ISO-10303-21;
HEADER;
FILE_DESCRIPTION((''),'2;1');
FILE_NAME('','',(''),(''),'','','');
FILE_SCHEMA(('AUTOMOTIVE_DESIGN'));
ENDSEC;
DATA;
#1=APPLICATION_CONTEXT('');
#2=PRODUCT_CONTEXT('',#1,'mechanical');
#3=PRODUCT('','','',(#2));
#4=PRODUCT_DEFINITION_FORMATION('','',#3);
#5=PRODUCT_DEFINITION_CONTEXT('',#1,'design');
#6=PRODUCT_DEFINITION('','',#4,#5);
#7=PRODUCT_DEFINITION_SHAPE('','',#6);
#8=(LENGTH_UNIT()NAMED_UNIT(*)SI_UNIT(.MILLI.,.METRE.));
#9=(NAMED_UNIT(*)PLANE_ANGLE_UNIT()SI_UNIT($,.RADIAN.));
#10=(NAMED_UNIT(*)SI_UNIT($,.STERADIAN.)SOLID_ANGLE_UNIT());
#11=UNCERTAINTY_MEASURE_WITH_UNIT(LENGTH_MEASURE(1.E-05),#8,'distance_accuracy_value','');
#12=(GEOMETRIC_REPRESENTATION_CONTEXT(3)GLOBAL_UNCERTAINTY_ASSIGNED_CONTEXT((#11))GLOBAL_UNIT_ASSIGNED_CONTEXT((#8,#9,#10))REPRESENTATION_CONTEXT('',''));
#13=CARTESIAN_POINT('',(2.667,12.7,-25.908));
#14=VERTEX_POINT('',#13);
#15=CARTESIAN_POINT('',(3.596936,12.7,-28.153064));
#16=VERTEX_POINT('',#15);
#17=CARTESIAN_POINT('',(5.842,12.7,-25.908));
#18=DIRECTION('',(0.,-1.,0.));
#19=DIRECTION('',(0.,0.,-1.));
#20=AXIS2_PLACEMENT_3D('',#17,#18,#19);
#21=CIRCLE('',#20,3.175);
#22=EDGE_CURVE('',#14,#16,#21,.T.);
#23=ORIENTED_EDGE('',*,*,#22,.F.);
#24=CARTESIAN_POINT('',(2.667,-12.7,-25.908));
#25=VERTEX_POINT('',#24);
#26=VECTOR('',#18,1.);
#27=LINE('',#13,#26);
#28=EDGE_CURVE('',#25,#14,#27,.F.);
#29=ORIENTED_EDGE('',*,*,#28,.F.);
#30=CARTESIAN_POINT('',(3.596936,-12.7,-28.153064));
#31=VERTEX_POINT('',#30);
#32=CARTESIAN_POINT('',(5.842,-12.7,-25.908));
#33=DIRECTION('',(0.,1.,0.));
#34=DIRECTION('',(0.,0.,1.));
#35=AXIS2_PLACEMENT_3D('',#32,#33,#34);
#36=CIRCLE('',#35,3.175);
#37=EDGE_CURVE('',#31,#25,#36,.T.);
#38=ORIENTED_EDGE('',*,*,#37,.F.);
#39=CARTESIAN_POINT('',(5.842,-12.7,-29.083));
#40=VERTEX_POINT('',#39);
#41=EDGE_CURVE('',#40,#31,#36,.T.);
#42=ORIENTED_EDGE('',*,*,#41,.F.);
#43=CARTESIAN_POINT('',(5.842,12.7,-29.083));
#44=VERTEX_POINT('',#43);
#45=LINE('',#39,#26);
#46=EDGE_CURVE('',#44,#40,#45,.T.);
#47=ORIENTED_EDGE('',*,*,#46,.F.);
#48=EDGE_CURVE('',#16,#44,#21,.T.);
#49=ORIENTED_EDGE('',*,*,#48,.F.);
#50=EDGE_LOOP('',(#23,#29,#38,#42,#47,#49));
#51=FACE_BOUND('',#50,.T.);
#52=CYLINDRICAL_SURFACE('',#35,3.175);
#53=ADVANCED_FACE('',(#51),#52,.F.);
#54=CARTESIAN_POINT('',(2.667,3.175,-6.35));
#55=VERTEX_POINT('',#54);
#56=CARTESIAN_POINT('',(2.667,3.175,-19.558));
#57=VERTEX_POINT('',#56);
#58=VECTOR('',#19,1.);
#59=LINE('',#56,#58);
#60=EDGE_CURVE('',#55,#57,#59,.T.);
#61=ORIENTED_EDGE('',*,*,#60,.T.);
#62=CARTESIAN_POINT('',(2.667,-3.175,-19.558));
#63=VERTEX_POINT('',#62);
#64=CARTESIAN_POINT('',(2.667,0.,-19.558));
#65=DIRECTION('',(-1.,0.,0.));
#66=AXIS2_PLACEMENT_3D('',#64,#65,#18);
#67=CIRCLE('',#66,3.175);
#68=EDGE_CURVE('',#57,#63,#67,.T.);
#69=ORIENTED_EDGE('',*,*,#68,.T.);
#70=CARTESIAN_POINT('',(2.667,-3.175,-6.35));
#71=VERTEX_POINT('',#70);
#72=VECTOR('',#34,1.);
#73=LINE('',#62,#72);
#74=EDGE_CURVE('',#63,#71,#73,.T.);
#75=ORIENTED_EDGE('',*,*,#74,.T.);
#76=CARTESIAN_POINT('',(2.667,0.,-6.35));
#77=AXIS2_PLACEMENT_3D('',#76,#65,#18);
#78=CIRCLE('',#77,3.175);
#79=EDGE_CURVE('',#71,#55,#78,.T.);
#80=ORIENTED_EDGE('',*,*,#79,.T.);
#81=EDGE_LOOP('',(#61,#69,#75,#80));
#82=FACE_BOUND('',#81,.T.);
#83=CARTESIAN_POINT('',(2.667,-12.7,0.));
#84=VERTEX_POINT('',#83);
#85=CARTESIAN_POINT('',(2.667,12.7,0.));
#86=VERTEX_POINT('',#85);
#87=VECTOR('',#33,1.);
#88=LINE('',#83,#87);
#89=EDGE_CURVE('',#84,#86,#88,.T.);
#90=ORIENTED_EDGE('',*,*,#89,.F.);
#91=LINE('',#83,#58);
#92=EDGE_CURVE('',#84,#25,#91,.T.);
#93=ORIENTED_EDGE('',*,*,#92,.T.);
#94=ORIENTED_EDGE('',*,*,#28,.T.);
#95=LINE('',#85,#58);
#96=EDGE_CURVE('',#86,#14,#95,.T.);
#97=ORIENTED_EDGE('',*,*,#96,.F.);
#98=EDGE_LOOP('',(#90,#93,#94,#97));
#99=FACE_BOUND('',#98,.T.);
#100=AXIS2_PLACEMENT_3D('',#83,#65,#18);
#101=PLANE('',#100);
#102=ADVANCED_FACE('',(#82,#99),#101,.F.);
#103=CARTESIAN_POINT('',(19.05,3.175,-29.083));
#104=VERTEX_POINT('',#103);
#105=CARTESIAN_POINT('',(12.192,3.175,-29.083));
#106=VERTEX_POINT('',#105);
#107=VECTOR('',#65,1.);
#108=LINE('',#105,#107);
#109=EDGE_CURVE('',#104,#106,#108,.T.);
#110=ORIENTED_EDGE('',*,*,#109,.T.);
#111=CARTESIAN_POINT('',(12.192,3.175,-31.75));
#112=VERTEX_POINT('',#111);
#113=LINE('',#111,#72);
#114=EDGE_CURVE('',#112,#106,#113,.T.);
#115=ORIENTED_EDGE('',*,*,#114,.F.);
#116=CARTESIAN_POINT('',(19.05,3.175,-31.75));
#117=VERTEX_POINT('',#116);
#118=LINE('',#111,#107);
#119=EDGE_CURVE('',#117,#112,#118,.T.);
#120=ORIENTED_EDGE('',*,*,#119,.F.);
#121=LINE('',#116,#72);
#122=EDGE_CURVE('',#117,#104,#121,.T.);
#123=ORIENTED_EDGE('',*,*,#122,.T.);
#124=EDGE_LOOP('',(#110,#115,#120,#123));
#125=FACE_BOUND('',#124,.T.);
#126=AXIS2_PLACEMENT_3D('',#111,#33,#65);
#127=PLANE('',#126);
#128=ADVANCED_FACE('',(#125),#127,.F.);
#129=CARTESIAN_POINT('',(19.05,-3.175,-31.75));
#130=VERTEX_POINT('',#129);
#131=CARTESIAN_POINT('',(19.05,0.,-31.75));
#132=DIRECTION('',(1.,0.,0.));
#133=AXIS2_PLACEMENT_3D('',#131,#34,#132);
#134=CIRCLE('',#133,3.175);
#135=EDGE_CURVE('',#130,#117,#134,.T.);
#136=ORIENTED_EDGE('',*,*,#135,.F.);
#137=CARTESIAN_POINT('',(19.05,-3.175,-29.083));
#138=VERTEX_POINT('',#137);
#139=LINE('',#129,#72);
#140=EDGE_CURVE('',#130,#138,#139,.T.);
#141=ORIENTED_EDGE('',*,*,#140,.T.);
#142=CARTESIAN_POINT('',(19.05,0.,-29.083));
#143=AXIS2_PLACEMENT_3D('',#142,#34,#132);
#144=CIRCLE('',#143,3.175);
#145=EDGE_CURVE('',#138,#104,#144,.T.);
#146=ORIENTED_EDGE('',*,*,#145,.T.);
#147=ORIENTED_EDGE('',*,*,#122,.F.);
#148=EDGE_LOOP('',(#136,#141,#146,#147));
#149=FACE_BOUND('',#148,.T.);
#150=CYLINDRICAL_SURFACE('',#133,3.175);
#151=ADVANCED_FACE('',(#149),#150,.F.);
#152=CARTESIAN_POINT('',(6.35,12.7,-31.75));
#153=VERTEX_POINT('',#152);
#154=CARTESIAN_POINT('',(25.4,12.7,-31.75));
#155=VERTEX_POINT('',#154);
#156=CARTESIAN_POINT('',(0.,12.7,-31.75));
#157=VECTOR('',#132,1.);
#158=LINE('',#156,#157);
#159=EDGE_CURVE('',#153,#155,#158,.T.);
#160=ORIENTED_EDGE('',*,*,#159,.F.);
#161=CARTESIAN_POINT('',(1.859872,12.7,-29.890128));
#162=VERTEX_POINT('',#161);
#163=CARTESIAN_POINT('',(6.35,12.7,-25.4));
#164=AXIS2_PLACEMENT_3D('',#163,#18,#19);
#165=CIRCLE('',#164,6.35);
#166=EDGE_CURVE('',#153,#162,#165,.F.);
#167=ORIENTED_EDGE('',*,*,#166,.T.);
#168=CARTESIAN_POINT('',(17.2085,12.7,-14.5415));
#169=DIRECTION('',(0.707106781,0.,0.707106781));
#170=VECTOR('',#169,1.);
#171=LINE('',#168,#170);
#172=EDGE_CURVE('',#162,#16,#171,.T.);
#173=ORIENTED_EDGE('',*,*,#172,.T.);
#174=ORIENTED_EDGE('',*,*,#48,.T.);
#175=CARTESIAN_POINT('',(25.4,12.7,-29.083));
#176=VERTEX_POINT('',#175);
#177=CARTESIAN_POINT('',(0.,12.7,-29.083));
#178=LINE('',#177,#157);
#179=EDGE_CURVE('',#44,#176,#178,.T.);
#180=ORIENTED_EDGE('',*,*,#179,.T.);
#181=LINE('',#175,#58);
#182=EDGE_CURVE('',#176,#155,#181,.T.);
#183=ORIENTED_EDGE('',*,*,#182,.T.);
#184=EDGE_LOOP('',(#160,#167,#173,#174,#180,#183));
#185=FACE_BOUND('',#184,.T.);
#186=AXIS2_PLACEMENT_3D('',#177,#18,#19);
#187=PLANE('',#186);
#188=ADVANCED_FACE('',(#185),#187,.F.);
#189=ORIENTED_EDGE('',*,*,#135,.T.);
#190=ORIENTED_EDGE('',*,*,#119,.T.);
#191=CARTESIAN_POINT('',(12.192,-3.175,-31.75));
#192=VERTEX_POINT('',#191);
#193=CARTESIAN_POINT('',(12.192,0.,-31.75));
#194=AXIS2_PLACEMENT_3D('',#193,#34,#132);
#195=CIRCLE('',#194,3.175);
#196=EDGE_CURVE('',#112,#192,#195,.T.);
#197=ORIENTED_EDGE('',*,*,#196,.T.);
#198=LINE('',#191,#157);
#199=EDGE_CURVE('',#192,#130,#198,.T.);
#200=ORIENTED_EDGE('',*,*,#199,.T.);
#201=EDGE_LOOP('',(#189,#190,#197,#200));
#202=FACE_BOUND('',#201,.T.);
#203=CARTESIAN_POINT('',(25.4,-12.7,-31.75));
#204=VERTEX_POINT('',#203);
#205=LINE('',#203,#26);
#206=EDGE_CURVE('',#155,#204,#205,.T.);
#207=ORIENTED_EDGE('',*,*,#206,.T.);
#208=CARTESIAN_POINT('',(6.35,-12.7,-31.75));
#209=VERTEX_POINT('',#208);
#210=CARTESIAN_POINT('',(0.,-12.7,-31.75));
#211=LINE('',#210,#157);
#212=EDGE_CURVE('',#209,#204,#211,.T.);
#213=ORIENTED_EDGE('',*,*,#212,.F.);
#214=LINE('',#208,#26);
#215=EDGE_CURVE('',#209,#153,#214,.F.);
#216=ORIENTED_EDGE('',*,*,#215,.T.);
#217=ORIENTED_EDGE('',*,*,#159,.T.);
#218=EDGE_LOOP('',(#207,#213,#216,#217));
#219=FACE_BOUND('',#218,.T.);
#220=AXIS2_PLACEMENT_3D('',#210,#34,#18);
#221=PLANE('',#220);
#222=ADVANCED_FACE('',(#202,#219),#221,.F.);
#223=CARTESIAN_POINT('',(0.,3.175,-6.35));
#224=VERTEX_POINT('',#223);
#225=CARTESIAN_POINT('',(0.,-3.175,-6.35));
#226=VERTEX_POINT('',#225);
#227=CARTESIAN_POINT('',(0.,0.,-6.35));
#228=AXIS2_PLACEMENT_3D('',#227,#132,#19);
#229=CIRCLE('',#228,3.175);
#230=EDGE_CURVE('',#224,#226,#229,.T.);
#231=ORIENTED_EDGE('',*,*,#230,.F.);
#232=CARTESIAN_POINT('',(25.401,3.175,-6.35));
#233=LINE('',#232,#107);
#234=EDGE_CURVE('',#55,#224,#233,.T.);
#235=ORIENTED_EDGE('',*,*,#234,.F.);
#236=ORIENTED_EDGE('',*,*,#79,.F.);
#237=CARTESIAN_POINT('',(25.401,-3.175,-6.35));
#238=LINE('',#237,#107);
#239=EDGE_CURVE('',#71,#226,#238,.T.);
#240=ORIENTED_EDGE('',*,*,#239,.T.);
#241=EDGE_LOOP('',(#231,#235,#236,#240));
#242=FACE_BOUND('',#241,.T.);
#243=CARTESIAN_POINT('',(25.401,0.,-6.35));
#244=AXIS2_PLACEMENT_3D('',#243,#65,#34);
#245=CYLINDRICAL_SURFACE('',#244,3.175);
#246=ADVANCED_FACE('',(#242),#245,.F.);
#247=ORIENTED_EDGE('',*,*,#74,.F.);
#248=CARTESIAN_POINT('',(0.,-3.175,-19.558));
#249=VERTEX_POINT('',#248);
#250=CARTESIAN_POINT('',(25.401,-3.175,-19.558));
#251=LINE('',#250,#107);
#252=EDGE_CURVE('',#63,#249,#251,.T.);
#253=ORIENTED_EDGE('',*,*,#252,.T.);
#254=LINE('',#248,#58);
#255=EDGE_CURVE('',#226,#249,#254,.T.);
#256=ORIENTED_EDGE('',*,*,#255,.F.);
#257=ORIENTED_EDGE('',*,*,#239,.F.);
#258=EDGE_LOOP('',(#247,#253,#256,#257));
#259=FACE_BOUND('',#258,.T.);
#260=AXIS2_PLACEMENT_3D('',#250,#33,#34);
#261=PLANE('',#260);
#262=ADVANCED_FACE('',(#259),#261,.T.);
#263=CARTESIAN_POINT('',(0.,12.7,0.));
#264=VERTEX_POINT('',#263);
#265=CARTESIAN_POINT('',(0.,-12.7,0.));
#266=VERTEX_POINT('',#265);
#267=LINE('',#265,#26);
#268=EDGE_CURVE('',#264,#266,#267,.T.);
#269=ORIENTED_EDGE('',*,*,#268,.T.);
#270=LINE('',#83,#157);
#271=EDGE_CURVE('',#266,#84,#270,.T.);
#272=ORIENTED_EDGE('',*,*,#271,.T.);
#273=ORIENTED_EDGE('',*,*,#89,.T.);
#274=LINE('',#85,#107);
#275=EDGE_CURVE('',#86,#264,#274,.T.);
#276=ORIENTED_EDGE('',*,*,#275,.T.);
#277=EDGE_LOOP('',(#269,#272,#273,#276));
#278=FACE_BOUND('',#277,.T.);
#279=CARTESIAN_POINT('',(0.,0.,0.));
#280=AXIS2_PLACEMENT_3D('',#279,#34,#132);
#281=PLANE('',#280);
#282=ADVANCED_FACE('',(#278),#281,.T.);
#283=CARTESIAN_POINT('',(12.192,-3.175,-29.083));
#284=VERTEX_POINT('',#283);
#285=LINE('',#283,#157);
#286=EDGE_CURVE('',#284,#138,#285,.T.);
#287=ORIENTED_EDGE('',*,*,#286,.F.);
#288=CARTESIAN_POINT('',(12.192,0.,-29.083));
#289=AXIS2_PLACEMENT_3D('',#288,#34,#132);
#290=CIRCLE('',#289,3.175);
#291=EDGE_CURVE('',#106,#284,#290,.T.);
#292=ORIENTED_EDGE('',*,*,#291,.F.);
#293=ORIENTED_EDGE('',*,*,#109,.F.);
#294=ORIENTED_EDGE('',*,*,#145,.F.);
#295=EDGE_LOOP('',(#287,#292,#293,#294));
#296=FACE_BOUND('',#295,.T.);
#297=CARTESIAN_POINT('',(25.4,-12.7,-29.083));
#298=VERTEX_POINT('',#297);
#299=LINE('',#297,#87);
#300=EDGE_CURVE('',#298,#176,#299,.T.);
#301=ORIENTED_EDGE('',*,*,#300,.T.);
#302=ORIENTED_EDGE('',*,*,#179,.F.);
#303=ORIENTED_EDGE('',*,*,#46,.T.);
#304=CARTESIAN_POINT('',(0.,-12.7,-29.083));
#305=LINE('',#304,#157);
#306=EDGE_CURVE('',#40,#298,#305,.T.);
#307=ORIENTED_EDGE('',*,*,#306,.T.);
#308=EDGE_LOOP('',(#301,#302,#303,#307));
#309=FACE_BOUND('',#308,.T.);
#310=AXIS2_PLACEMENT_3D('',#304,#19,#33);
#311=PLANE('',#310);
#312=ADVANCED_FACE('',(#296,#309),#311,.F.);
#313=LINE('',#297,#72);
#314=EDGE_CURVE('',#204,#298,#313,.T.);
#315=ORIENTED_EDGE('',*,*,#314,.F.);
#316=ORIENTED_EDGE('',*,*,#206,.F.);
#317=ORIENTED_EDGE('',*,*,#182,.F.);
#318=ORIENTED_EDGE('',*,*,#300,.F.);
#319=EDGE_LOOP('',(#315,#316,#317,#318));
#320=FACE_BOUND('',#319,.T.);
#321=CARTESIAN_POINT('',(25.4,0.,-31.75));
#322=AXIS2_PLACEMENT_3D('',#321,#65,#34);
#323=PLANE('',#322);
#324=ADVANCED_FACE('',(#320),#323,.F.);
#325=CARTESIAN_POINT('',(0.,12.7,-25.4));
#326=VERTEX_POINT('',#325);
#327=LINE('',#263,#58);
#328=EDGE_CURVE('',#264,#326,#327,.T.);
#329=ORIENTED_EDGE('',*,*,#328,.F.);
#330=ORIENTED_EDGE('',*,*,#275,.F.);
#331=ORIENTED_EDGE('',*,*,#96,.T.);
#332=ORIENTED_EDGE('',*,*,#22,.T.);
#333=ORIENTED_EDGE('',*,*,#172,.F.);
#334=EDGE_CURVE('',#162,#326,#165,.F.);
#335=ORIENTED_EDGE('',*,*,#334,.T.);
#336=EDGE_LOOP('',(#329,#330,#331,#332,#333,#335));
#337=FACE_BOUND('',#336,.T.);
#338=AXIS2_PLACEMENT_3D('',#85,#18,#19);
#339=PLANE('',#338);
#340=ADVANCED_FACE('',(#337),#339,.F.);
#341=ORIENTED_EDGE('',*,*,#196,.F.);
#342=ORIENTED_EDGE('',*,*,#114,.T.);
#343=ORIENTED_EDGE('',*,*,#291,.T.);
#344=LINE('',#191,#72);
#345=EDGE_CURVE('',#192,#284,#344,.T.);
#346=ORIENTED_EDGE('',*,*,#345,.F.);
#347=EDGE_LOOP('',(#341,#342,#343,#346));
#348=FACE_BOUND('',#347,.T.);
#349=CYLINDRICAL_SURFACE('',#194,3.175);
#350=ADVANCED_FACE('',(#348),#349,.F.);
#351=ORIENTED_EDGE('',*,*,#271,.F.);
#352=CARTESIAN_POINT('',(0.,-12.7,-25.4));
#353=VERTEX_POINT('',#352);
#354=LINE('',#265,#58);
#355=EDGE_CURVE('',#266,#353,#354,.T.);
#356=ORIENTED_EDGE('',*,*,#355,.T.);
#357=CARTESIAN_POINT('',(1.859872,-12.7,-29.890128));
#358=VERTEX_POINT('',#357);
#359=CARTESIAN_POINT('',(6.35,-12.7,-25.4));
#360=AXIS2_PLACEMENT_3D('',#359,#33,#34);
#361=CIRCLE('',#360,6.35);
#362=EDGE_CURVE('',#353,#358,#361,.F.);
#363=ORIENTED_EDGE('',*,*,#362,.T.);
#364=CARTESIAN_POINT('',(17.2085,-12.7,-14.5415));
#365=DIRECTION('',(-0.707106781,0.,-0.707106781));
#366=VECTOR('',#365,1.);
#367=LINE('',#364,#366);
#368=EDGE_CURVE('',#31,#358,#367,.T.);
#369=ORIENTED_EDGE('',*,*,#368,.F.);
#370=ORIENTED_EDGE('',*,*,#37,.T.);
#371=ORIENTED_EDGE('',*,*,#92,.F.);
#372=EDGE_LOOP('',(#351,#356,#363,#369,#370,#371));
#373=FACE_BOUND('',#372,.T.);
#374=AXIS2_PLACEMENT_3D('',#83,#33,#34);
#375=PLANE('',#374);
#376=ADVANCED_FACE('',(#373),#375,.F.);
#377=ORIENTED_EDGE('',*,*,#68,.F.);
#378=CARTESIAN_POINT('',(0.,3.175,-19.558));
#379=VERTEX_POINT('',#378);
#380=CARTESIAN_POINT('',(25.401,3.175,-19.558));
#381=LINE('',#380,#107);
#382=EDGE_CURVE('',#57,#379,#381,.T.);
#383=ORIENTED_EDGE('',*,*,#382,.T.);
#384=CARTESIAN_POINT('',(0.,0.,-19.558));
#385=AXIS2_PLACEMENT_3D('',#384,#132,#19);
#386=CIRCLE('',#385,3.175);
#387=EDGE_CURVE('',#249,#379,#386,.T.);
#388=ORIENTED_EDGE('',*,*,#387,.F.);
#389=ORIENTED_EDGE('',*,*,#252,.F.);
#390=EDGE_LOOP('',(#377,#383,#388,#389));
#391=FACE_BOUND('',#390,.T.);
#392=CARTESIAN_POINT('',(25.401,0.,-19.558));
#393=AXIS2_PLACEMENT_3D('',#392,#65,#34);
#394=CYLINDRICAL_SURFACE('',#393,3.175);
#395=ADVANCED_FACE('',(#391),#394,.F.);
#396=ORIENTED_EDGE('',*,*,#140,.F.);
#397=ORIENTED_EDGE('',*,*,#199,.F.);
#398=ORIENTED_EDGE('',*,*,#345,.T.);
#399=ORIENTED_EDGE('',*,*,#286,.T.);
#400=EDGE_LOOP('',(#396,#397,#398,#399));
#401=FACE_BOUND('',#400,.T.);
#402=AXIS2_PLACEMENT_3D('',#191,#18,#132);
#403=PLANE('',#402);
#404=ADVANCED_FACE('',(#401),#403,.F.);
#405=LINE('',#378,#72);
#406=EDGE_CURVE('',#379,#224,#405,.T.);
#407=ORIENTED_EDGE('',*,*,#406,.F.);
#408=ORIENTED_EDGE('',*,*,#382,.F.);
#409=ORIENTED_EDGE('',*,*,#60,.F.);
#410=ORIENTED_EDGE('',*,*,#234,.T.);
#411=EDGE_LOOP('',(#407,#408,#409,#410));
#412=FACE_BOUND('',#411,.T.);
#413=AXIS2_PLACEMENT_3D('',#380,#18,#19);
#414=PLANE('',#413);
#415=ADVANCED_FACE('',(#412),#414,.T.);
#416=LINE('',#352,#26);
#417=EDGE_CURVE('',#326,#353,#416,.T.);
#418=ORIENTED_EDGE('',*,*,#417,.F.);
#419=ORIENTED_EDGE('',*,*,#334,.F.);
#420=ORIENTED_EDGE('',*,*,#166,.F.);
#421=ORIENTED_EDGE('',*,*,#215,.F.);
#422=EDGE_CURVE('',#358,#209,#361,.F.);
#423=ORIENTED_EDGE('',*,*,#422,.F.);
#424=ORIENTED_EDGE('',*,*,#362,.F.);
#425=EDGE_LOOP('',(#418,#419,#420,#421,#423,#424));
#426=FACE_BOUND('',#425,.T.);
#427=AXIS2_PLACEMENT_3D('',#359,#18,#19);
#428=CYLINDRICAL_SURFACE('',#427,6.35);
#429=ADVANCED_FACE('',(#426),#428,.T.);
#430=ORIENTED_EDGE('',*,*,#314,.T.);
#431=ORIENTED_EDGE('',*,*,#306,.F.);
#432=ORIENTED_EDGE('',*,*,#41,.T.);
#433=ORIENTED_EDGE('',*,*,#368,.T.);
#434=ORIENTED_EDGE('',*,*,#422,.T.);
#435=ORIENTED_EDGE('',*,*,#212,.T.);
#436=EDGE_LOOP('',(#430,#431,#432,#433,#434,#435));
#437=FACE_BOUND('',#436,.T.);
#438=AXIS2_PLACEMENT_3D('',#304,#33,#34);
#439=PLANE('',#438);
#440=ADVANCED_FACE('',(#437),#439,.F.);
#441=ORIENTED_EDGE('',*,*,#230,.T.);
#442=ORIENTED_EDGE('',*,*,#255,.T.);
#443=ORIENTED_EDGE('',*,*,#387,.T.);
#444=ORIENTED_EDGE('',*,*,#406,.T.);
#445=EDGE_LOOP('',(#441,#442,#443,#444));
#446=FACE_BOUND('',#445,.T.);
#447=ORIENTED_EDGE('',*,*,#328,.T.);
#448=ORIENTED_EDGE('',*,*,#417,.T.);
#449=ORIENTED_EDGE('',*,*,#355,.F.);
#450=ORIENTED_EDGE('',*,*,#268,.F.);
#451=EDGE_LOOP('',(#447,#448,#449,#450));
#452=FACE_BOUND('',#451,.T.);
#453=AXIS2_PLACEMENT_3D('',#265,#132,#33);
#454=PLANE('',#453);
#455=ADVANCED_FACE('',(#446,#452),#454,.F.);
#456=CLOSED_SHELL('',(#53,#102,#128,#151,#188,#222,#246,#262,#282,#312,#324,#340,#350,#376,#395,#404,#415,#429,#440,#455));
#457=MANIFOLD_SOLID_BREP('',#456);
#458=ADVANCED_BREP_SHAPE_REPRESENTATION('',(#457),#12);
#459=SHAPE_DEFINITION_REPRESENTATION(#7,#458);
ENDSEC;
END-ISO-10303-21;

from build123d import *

# Parameters (mm, degrees)
SKETCH3_W          = 2.667
SKETCH3_H          = 25.4
FILLET1_R          = 3.175
FILLET2_R          = 6.35
CUT_EXTRUDE2_REACH = 27.4
CUT_EXTRUDE3_DEPTH = 3.667


with BuildPart() as part:
    # Sweep1: sweep along a path in Sketch4
    with BuildLine(Plane(origin=(0, 0, 0), x_dir=(1, 0, 0), z_dir=(0, 1, 0))) as sweep1_path:
        Line((0, 0), (0, 31.75))
        Line((0, 31.75), (25.4, 31.75))
    # Sketch3 → Sweep1 (sweep)
    with BuildSketch(Plane.XY):
        with Locations((1.3335, 0)):
            Rectangle(SKETCH3_W, SKETCH3_H)
    sweep(path=sweep1_path.line, transition=Transition.RIGHT)

    # Fillet1
    fillet1_edges = [part.edges().sort_by_distance(p)[0] for p in [
        (2.667, 0, -29.083),
    ]]
    fillet(fillet1_edges, radius=FILLET1_R)

    # Fillet2
    fillet2_edges = [part.edges().sort_by_distance(p)[0] for p in [
        (0, 0, -31.75),
    ]]
    fillet(fillet2_edges, radius=FILLET2_R)

    # Sketch6 → Cut-Extrude2 (cut, up to next)
    with BuildSketch(Plane(origin=(0, 0, 0), x_dir=(0, 0, -1), z_dir=(1, 0, 0)), mode=Mode.PRIVATE) as cut_extrude2_sk1:
        with BuildLine():
            Line((19.558, -3.175), (6.35, -3.175))
            ThreePointArc((6.35, -3.175), (3.175, 0), (6.35, 3.175))
            Line((6.35, 3.175), (19.558, 3.175))
            ThreePointArc((19.558, 3.175), (22.733, 0), (19.558, -3.175))
        make_face()
    cut_extrude2_tool1 = extrude(cut_extrude2_sk1.sketch, amount=CUT_EXTRUDE2_REACH, mode=Mode.PRIVATE) & part.part
    add(cut_extrude2_tool1.solids().sort_by_distance((0, 0, -12.954))[0], mode=Mode.SUBTRACT)

    # Sketch7 → Cut-Extrude3 (cut, through all)
    with BuildSketch(Plane.XY.offset(-29.083)):
        with BuildLine():
            Line((12.192, 3.175), (19.05, 3.175))
            ThreePointArc((19.05, 3.175), (22.225, 0), (19.05, -3.175))
            Line((19.05, -3.175), (12.192, -3.175))
            ThreePointArc((12.192, -3.175), (9.017, 0), (12.192, 3.175))
        make_face()
    extrude(amount=-CUT_EXTRUDE3_DEPTH, mode=Mode.SUBTRACT)


solid = part.part
